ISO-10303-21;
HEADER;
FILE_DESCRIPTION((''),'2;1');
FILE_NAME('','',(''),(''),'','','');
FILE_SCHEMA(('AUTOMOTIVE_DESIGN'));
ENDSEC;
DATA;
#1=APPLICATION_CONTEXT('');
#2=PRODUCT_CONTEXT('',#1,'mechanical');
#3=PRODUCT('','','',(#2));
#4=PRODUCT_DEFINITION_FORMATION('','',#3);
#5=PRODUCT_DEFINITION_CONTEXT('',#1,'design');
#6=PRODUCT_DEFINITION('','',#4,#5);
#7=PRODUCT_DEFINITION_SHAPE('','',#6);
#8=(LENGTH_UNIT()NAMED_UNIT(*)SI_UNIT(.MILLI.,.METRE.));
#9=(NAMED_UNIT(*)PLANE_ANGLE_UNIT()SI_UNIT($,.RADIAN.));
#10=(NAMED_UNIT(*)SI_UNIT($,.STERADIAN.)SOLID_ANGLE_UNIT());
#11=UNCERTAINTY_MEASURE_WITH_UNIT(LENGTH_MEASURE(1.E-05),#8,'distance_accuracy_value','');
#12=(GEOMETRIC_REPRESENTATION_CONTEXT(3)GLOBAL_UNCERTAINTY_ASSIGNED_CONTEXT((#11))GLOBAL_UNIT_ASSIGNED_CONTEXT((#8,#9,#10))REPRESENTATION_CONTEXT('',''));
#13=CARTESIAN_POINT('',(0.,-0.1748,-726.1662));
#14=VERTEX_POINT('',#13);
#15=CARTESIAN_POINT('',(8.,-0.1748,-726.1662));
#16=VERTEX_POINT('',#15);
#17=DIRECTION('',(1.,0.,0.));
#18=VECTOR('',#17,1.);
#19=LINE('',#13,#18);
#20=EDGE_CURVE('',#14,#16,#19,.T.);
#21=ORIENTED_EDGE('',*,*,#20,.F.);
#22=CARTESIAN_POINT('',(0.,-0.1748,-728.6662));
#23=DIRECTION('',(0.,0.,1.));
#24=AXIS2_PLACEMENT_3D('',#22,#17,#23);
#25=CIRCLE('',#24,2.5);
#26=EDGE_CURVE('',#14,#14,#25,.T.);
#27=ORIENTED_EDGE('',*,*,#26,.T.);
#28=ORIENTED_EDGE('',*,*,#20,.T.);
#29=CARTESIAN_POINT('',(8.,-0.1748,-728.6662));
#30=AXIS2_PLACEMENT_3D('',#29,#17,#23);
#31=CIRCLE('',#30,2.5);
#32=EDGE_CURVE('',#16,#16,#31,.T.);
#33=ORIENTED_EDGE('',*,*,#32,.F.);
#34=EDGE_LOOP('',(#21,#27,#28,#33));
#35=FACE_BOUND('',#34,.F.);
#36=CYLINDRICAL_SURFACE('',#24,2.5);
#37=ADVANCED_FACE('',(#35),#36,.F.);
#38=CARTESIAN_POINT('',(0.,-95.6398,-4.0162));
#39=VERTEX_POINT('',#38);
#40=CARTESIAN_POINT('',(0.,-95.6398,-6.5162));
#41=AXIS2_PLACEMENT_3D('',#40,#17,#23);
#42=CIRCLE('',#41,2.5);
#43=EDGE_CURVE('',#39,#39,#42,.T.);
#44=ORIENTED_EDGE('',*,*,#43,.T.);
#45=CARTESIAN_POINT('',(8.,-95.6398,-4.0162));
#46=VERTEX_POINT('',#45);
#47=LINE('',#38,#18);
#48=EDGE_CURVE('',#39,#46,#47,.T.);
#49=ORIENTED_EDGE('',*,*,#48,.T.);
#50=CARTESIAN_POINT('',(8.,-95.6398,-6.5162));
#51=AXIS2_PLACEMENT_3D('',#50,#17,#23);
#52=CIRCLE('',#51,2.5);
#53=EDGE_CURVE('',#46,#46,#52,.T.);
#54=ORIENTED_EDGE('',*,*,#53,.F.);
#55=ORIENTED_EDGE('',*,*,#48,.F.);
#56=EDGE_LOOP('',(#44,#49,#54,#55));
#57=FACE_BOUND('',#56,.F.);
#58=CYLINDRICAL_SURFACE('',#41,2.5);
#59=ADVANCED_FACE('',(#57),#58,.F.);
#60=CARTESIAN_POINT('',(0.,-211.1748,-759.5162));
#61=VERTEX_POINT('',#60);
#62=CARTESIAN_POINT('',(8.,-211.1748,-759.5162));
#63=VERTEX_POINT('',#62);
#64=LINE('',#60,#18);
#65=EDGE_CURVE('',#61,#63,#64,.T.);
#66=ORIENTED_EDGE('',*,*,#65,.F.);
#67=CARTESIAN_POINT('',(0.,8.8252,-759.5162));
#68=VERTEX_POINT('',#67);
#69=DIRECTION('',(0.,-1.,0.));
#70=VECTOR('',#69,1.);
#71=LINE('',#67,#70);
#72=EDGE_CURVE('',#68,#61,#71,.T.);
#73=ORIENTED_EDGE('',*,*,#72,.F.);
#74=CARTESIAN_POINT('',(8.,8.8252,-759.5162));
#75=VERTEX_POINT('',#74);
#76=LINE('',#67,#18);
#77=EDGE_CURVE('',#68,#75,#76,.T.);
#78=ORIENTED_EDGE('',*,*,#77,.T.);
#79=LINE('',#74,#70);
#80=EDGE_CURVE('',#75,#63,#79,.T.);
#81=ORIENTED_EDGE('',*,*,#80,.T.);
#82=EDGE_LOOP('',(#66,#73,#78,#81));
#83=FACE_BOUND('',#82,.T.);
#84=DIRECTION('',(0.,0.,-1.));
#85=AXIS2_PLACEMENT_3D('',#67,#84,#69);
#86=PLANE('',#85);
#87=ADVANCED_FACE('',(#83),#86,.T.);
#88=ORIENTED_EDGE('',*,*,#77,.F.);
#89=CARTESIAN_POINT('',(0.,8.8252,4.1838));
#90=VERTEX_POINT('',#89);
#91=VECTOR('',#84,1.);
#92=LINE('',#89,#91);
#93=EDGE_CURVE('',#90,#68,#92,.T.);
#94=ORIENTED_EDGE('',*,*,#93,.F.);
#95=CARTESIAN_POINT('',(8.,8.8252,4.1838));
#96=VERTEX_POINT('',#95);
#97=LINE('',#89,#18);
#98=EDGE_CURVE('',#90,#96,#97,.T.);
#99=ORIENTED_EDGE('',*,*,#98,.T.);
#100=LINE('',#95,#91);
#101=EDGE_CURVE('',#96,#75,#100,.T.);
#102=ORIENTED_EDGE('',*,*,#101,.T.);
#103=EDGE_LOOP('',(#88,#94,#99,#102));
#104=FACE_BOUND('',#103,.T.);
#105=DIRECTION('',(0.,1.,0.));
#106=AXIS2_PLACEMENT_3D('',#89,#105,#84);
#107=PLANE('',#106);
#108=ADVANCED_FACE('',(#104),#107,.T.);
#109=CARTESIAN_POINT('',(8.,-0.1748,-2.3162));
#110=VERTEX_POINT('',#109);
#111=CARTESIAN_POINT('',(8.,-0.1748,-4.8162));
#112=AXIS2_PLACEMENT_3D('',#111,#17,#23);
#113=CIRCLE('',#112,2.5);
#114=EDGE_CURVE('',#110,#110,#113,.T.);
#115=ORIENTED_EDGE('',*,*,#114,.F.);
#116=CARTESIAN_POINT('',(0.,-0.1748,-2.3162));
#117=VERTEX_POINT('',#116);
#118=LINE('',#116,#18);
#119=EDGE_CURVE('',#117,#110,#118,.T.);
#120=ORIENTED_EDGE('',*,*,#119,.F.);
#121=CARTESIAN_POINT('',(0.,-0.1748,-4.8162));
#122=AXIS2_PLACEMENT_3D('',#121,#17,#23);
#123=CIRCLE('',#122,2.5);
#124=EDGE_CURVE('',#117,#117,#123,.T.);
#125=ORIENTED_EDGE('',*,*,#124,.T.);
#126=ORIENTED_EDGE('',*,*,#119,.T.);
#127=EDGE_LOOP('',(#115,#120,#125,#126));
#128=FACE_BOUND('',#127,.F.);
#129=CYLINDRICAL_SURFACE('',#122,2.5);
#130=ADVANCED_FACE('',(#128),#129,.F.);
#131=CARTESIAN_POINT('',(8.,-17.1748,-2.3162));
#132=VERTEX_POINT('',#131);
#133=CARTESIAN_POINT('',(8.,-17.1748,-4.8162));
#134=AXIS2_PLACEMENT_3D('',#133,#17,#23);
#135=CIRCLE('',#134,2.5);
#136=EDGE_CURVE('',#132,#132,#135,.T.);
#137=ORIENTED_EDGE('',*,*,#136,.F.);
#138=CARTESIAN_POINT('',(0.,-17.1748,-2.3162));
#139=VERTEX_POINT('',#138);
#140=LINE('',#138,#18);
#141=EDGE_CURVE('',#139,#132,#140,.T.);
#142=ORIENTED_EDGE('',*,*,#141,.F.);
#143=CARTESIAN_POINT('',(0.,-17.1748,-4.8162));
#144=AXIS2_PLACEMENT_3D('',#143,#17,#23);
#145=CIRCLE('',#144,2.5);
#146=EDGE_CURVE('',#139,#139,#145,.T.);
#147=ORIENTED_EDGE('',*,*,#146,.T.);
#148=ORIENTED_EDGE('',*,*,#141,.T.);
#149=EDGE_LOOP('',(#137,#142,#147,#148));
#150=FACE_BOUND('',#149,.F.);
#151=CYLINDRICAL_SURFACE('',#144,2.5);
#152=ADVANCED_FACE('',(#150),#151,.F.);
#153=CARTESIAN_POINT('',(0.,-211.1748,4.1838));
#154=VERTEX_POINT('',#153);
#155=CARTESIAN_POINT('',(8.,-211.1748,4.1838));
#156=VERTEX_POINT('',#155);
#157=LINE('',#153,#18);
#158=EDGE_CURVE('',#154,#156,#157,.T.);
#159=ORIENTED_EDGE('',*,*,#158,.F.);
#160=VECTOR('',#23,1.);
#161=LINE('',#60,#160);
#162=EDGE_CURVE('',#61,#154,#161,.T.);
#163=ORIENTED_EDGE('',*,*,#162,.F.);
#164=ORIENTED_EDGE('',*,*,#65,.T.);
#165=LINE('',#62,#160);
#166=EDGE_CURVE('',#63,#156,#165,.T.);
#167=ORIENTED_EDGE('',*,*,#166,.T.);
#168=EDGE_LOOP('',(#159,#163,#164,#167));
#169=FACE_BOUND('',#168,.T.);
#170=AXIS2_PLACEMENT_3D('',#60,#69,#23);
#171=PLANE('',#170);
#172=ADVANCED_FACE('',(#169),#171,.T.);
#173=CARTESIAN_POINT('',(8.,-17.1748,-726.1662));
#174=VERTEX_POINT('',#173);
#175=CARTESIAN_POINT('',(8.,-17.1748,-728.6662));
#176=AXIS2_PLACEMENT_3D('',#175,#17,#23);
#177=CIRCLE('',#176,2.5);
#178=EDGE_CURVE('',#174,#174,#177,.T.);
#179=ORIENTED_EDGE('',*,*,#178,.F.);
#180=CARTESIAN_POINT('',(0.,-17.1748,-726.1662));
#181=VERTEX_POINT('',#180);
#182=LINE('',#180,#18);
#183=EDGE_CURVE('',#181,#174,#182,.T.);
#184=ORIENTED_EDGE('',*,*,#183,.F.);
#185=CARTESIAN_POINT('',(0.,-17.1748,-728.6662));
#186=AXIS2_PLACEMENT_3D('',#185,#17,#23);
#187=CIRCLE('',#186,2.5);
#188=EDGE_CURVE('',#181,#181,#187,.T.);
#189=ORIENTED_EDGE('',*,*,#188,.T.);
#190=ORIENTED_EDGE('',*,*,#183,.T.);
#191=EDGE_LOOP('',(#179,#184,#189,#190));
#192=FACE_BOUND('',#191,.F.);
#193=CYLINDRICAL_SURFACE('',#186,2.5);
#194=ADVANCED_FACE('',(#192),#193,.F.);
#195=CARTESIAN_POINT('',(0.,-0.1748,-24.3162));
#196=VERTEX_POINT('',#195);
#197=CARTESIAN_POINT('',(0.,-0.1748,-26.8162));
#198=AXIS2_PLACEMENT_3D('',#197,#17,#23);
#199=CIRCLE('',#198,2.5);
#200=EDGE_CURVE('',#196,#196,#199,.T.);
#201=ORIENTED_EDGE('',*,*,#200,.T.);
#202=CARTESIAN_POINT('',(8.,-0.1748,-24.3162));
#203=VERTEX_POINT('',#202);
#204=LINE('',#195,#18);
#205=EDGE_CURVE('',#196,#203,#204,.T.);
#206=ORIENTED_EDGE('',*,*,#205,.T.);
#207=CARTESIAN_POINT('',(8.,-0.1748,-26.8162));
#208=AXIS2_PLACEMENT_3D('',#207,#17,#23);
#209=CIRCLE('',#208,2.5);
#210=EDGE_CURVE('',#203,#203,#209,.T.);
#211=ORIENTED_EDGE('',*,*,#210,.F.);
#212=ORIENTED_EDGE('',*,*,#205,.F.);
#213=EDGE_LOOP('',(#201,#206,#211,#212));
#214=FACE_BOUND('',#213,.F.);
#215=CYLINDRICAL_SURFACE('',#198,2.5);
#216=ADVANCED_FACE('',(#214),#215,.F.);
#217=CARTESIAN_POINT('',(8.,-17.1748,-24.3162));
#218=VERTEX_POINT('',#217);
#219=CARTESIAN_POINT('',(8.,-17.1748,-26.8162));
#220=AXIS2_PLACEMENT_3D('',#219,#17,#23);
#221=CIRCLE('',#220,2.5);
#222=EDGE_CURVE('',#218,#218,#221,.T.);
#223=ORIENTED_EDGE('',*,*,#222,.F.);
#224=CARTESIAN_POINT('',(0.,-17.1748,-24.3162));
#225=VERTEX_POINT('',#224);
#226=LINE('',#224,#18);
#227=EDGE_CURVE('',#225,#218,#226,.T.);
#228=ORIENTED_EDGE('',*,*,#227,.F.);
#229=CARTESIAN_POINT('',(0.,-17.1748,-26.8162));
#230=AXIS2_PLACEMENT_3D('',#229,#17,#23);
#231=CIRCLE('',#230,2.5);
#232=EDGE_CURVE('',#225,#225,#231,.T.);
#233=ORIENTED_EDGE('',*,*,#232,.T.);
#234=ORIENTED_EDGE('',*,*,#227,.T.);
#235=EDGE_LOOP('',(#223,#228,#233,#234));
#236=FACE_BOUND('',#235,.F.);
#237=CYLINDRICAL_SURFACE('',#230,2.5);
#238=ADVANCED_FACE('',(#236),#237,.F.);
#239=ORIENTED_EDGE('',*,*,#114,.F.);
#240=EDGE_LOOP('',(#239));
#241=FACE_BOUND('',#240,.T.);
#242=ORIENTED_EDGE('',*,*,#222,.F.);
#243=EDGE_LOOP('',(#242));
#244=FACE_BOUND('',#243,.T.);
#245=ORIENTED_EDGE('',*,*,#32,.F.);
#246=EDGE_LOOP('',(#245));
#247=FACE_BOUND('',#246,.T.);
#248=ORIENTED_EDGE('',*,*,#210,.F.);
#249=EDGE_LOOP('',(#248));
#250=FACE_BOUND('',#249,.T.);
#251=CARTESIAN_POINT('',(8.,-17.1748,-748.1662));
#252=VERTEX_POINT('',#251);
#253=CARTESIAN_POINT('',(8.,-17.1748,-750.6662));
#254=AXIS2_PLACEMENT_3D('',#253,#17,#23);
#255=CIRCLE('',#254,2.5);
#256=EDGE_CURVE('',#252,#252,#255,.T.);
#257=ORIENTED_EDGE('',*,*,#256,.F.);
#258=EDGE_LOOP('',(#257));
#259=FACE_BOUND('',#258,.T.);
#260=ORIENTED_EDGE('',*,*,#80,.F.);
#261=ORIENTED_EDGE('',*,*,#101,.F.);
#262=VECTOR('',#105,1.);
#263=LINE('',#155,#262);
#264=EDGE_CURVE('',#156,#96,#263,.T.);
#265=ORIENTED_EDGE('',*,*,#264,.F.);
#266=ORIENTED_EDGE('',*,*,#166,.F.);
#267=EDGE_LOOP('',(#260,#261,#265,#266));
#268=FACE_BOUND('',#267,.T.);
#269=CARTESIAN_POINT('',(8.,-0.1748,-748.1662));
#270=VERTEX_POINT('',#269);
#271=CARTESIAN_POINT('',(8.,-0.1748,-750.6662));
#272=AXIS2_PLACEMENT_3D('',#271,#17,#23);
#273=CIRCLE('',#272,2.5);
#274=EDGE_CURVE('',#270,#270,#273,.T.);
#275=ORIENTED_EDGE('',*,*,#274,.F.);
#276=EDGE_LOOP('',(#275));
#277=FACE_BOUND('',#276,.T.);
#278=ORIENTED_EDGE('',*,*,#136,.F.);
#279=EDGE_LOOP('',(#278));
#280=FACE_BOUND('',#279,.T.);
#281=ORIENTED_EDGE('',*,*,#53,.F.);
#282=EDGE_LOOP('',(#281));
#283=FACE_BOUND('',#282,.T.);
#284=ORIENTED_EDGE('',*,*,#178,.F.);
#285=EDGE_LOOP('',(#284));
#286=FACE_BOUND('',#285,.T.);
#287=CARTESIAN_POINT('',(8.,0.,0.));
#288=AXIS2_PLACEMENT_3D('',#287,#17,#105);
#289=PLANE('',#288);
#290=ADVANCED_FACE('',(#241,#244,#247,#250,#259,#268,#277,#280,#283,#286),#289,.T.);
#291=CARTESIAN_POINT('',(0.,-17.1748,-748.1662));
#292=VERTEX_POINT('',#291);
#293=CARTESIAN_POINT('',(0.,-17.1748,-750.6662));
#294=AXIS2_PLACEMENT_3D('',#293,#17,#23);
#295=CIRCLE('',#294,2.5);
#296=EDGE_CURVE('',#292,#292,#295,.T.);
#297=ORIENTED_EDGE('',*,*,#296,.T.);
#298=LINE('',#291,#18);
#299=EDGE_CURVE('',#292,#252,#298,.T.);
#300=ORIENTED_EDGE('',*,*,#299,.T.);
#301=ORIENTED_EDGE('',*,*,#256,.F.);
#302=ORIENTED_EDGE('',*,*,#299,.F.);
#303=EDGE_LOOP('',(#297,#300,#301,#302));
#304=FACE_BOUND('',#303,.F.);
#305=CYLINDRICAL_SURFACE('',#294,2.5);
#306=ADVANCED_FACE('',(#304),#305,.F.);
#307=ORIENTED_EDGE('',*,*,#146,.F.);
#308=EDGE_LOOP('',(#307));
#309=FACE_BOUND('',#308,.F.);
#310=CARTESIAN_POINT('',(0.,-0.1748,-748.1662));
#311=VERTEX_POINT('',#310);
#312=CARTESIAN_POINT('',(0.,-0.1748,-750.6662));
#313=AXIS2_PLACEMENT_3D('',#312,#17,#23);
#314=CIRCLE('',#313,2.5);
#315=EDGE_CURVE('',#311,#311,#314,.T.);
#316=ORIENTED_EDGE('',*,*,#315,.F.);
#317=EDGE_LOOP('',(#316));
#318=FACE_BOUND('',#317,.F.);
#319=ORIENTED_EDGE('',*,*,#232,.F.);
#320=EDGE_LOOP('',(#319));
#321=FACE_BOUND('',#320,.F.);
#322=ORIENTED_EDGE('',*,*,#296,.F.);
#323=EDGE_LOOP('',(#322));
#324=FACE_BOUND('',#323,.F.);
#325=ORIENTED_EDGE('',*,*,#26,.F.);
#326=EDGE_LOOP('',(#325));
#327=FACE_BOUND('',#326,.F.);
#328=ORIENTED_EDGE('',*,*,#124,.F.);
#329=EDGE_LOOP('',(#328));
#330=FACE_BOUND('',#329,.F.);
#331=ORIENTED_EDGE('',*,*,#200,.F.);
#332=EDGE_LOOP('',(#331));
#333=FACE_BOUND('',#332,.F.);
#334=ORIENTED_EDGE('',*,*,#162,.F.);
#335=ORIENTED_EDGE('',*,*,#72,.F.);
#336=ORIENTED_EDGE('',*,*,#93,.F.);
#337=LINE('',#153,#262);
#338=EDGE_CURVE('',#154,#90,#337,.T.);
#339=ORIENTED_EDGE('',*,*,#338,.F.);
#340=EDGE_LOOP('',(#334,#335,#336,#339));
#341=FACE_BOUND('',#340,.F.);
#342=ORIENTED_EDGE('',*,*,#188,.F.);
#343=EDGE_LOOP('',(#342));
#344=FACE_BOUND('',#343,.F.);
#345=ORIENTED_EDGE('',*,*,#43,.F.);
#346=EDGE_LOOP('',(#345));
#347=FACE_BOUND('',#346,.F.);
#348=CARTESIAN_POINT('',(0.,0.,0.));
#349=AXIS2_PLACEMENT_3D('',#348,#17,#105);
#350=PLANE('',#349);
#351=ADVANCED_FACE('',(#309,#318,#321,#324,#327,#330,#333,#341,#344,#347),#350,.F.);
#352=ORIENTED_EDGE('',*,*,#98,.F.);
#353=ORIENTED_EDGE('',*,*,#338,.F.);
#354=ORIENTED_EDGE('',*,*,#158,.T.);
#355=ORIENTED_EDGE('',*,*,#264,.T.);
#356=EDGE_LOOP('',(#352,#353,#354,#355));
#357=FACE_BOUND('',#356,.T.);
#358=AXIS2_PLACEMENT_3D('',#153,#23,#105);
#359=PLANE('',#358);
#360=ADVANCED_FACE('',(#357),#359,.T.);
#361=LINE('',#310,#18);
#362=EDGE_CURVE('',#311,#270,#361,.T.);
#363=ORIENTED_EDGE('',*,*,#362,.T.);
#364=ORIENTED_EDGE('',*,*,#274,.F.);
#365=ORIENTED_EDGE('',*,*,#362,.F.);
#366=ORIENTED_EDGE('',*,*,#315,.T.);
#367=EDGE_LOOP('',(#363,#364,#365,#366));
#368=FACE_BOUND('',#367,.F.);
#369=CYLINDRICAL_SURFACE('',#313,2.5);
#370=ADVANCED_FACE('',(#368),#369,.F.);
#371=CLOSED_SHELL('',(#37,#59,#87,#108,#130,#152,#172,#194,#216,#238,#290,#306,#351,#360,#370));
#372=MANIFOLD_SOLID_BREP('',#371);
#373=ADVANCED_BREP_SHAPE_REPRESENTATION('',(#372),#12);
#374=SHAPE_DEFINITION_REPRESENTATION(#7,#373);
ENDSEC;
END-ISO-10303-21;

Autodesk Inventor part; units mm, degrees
ref_plane "YZ Plane" through (0, 0, 0) normal (1, 0, 0) x (0, 1, 0)
ref_plane "XZ Plane" through (0, 0, 0) normal (0, 1, 0) x (-1, 0, 0)
ref_plane "XY Plane" through (0, 0, 0) normal (0, 0, 1) x (1, 0, 0)
sketch "Skizze1" plane through (0, 0, 0) normal (1, 0, 0) x (0, 1, 0)
  line L0 (-211.1748, 4.1838) -> (8.8252, 4.1838)
  line L1 (8.8252, 4.1838) -> (8.8252, -759.5162)
  line L2 (8.8252, -759.5162) -> (-211.1748, -759.5162)
  line L3 (-211.1748, -759.5162) -> (-211.1748, 4.1838)
  point P0 (0, 0)
  dimension "d0" = 763.7
  dimension "d1" = 220
extrude "Extrusion1" add sketch "Skizze1" along normal blind 8
sketch "Skizze2" plane through (0, 0, 0) normal (-1, 0, 0) x (0, 0, 1)
  circle A0 centre (-4.8162, -0.1748) radius 2.5
  line L0 (4.1838, 8.8252) -> (4.1838, -211.1748) projected
  line L1 (-759.5162, 8.8252) -> (4.1838, 8.8252) projected
  circle A1 centre (-4.8162, -17.1748) radius 2.5
  circle A2 centre (-26.8162, -17.1748) radius 2.5
  circle A3 centre (-26.8162, -0.1748) radius 2.5
  line L2 (-377.7412, 9.6508) -> (-377.7412, -210.3492) construction
  line L3 (4.1838, -211.1748) -> (-759.5162, -211.1748) projected
  line L4 (-377.6662, 8.8252) -> (-157.6662, 8.8252) construction
  circle A4 centre (-750.6662, -0.1748) radius 2.5
  circle A5 centre (-750.6662, -17.1748) radius 2.5
  circle A6 centre (-728.6662, -17.1748) radius 2.5
  circle A7 centre (-728.6662, -0.1748) radius 2.5
  circle A8 centre (-6.5162, -95.6398) radius 2.5
  point P0 (0, 0)
  point P1 (-755.4823, 0)
  dimension "d4" = 5
  dimension "d5" = 9
  dimension "d6" = 9
  dimension "d7" = 5
  dimension "d8" = 5
  dimension "d9" = 5
  dimension "d10" = 17
  dimension "d11" = 9
  dimension "d12" = 22
  dimension "d13" = 17
  dimension "d14" = 17
  dimension "d15" = 22
  dimension "d17" = 381.925
  dimension "d67" = 5
  dimension "d68" = 10.7
  dimension "d69" = 104.465
hole "Bohrung1" at (0, -0.1748, -4.8162) direction (1, 0, 0) diameter 5 end through all
hole "Bohrung2" at (0, -17.1748, -4.8162) direction (1, 0, 0) diameter 5 end through all
hole "Bohrung3" at (0, -17.1748, -26.8162) direction (1, 0, 0) diameter 5 end through all
hole "Bohrung4" at (0, -0.1748, -26.8162) at (0, -17.1748, -750.6662) direction (1, 0, 0) diameter 5 end through all
hole "Bohrung5" at (0, -0.1748, -750.6662) direction (1, 0, 0) diameter 5 end through all
hole "Bohrung6" at (0, -0.1748, -728.6662) direction (1, 0, 0) diameter 5 end through all
hole "Bohrung7" at (0, -17.1748, -728.6662) direction (1, 0, 0) diameter 5 end through all
hole "Bohrung8" at (0, -95.6398, -6.5162) direction (1, 0, 0) diameter 5 end through all
properties part number "FahneHolz"
